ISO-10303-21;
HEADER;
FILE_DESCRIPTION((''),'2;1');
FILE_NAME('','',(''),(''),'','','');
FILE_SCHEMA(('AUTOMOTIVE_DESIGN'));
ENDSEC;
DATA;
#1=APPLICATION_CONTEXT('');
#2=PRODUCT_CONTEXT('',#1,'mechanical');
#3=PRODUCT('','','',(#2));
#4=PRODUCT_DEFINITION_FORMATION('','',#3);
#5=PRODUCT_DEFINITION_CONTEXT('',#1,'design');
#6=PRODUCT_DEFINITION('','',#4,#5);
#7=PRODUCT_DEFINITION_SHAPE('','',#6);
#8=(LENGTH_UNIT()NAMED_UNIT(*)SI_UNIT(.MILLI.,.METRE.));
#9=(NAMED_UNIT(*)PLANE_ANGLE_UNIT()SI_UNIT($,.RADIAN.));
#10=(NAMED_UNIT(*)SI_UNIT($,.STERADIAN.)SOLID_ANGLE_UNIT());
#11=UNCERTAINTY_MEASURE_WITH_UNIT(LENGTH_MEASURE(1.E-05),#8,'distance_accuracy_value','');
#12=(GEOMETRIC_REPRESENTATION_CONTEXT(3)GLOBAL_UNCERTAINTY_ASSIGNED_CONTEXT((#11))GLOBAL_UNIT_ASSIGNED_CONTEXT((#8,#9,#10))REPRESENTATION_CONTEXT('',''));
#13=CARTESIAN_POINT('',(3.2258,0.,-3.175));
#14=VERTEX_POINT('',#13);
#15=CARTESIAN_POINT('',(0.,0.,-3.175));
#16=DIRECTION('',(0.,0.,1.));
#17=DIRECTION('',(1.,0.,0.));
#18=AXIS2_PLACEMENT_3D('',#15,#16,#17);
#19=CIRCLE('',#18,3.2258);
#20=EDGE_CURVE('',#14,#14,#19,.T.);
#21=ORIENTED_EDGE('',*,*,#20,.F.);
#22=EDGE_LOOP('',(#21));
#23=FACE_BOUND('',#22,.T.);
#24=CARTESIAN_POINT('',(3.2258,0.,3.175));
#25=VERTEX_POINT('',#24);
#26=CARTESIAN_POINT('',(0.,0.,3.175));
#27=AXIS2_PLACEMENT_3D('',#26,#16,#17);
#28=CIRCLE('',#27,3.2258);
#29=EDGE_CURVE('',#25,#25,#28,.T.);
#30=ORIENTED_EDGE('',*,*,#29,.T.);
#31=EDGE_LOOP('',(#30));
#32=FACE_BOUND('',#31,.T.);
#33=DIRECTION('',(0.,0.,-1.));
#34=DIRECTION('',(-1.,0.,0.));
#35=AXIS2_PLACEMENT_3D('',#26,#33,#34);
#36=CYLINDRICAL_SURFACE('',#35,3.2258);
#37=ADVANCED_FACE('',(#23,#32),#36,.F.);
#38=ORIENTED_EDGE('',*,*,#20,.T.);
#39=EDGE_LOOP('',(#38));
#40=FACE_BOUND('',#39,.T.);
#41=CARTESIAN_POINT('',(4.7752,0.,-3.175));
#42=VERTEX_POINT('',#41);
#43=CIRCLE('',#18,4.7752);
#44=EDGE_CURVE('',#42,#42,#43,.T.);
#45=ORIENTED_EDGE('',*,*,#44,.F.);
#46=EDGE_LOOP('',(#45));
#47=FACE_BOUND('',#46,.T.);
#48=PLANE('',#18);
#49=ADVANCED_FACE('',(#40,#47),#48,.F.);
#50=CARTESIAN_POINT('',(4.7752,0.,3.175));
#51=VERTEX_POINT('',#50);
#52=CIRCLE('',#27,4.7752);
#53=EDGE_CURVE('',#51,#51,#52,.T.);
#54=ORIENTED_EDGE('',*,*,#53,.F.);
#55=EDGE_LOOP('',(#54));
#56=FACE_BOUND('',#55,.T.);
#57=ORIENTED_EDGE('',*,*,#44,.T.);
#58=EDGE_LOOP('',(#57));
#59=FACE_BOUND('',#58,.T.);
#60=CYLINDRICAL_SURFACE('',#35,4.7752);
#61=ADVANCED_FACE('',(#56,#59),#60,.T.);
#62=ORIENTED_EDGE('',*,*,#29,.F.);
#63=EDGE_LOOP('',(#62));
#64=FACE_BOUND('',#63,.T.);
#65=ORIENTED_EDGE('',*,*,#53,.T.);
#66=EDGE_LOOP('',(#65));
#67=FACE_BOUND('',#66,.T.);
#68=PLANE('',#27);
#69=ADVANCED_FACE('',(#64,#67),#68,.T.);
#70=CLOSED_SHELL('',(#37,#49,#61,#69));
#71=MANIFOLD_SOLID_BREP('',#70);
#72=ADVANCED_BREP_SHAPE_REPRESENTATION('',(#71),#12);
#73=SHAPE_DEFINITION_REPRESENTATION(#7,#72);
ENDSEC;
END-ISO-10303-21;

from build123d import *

# Parameters (mm, degrees)
SKETCH1_R      = 4.7752
SKETCH1_R_2    = 3.2258
EXTRUDE1_DEPTH = 3.175


with BuildPart() as part:
    # Sketch1 → Extrude1 (new body, symmetric)
    with BuildSketch(Plane.XY):
        Circle(SKETCH1_R)
        Circle(SKETCH1_R_2, mode=Mode.SUBTRACT)
    extrude(amount=EXTRUDE1_DEPTH, both=True)


solid = part.part
